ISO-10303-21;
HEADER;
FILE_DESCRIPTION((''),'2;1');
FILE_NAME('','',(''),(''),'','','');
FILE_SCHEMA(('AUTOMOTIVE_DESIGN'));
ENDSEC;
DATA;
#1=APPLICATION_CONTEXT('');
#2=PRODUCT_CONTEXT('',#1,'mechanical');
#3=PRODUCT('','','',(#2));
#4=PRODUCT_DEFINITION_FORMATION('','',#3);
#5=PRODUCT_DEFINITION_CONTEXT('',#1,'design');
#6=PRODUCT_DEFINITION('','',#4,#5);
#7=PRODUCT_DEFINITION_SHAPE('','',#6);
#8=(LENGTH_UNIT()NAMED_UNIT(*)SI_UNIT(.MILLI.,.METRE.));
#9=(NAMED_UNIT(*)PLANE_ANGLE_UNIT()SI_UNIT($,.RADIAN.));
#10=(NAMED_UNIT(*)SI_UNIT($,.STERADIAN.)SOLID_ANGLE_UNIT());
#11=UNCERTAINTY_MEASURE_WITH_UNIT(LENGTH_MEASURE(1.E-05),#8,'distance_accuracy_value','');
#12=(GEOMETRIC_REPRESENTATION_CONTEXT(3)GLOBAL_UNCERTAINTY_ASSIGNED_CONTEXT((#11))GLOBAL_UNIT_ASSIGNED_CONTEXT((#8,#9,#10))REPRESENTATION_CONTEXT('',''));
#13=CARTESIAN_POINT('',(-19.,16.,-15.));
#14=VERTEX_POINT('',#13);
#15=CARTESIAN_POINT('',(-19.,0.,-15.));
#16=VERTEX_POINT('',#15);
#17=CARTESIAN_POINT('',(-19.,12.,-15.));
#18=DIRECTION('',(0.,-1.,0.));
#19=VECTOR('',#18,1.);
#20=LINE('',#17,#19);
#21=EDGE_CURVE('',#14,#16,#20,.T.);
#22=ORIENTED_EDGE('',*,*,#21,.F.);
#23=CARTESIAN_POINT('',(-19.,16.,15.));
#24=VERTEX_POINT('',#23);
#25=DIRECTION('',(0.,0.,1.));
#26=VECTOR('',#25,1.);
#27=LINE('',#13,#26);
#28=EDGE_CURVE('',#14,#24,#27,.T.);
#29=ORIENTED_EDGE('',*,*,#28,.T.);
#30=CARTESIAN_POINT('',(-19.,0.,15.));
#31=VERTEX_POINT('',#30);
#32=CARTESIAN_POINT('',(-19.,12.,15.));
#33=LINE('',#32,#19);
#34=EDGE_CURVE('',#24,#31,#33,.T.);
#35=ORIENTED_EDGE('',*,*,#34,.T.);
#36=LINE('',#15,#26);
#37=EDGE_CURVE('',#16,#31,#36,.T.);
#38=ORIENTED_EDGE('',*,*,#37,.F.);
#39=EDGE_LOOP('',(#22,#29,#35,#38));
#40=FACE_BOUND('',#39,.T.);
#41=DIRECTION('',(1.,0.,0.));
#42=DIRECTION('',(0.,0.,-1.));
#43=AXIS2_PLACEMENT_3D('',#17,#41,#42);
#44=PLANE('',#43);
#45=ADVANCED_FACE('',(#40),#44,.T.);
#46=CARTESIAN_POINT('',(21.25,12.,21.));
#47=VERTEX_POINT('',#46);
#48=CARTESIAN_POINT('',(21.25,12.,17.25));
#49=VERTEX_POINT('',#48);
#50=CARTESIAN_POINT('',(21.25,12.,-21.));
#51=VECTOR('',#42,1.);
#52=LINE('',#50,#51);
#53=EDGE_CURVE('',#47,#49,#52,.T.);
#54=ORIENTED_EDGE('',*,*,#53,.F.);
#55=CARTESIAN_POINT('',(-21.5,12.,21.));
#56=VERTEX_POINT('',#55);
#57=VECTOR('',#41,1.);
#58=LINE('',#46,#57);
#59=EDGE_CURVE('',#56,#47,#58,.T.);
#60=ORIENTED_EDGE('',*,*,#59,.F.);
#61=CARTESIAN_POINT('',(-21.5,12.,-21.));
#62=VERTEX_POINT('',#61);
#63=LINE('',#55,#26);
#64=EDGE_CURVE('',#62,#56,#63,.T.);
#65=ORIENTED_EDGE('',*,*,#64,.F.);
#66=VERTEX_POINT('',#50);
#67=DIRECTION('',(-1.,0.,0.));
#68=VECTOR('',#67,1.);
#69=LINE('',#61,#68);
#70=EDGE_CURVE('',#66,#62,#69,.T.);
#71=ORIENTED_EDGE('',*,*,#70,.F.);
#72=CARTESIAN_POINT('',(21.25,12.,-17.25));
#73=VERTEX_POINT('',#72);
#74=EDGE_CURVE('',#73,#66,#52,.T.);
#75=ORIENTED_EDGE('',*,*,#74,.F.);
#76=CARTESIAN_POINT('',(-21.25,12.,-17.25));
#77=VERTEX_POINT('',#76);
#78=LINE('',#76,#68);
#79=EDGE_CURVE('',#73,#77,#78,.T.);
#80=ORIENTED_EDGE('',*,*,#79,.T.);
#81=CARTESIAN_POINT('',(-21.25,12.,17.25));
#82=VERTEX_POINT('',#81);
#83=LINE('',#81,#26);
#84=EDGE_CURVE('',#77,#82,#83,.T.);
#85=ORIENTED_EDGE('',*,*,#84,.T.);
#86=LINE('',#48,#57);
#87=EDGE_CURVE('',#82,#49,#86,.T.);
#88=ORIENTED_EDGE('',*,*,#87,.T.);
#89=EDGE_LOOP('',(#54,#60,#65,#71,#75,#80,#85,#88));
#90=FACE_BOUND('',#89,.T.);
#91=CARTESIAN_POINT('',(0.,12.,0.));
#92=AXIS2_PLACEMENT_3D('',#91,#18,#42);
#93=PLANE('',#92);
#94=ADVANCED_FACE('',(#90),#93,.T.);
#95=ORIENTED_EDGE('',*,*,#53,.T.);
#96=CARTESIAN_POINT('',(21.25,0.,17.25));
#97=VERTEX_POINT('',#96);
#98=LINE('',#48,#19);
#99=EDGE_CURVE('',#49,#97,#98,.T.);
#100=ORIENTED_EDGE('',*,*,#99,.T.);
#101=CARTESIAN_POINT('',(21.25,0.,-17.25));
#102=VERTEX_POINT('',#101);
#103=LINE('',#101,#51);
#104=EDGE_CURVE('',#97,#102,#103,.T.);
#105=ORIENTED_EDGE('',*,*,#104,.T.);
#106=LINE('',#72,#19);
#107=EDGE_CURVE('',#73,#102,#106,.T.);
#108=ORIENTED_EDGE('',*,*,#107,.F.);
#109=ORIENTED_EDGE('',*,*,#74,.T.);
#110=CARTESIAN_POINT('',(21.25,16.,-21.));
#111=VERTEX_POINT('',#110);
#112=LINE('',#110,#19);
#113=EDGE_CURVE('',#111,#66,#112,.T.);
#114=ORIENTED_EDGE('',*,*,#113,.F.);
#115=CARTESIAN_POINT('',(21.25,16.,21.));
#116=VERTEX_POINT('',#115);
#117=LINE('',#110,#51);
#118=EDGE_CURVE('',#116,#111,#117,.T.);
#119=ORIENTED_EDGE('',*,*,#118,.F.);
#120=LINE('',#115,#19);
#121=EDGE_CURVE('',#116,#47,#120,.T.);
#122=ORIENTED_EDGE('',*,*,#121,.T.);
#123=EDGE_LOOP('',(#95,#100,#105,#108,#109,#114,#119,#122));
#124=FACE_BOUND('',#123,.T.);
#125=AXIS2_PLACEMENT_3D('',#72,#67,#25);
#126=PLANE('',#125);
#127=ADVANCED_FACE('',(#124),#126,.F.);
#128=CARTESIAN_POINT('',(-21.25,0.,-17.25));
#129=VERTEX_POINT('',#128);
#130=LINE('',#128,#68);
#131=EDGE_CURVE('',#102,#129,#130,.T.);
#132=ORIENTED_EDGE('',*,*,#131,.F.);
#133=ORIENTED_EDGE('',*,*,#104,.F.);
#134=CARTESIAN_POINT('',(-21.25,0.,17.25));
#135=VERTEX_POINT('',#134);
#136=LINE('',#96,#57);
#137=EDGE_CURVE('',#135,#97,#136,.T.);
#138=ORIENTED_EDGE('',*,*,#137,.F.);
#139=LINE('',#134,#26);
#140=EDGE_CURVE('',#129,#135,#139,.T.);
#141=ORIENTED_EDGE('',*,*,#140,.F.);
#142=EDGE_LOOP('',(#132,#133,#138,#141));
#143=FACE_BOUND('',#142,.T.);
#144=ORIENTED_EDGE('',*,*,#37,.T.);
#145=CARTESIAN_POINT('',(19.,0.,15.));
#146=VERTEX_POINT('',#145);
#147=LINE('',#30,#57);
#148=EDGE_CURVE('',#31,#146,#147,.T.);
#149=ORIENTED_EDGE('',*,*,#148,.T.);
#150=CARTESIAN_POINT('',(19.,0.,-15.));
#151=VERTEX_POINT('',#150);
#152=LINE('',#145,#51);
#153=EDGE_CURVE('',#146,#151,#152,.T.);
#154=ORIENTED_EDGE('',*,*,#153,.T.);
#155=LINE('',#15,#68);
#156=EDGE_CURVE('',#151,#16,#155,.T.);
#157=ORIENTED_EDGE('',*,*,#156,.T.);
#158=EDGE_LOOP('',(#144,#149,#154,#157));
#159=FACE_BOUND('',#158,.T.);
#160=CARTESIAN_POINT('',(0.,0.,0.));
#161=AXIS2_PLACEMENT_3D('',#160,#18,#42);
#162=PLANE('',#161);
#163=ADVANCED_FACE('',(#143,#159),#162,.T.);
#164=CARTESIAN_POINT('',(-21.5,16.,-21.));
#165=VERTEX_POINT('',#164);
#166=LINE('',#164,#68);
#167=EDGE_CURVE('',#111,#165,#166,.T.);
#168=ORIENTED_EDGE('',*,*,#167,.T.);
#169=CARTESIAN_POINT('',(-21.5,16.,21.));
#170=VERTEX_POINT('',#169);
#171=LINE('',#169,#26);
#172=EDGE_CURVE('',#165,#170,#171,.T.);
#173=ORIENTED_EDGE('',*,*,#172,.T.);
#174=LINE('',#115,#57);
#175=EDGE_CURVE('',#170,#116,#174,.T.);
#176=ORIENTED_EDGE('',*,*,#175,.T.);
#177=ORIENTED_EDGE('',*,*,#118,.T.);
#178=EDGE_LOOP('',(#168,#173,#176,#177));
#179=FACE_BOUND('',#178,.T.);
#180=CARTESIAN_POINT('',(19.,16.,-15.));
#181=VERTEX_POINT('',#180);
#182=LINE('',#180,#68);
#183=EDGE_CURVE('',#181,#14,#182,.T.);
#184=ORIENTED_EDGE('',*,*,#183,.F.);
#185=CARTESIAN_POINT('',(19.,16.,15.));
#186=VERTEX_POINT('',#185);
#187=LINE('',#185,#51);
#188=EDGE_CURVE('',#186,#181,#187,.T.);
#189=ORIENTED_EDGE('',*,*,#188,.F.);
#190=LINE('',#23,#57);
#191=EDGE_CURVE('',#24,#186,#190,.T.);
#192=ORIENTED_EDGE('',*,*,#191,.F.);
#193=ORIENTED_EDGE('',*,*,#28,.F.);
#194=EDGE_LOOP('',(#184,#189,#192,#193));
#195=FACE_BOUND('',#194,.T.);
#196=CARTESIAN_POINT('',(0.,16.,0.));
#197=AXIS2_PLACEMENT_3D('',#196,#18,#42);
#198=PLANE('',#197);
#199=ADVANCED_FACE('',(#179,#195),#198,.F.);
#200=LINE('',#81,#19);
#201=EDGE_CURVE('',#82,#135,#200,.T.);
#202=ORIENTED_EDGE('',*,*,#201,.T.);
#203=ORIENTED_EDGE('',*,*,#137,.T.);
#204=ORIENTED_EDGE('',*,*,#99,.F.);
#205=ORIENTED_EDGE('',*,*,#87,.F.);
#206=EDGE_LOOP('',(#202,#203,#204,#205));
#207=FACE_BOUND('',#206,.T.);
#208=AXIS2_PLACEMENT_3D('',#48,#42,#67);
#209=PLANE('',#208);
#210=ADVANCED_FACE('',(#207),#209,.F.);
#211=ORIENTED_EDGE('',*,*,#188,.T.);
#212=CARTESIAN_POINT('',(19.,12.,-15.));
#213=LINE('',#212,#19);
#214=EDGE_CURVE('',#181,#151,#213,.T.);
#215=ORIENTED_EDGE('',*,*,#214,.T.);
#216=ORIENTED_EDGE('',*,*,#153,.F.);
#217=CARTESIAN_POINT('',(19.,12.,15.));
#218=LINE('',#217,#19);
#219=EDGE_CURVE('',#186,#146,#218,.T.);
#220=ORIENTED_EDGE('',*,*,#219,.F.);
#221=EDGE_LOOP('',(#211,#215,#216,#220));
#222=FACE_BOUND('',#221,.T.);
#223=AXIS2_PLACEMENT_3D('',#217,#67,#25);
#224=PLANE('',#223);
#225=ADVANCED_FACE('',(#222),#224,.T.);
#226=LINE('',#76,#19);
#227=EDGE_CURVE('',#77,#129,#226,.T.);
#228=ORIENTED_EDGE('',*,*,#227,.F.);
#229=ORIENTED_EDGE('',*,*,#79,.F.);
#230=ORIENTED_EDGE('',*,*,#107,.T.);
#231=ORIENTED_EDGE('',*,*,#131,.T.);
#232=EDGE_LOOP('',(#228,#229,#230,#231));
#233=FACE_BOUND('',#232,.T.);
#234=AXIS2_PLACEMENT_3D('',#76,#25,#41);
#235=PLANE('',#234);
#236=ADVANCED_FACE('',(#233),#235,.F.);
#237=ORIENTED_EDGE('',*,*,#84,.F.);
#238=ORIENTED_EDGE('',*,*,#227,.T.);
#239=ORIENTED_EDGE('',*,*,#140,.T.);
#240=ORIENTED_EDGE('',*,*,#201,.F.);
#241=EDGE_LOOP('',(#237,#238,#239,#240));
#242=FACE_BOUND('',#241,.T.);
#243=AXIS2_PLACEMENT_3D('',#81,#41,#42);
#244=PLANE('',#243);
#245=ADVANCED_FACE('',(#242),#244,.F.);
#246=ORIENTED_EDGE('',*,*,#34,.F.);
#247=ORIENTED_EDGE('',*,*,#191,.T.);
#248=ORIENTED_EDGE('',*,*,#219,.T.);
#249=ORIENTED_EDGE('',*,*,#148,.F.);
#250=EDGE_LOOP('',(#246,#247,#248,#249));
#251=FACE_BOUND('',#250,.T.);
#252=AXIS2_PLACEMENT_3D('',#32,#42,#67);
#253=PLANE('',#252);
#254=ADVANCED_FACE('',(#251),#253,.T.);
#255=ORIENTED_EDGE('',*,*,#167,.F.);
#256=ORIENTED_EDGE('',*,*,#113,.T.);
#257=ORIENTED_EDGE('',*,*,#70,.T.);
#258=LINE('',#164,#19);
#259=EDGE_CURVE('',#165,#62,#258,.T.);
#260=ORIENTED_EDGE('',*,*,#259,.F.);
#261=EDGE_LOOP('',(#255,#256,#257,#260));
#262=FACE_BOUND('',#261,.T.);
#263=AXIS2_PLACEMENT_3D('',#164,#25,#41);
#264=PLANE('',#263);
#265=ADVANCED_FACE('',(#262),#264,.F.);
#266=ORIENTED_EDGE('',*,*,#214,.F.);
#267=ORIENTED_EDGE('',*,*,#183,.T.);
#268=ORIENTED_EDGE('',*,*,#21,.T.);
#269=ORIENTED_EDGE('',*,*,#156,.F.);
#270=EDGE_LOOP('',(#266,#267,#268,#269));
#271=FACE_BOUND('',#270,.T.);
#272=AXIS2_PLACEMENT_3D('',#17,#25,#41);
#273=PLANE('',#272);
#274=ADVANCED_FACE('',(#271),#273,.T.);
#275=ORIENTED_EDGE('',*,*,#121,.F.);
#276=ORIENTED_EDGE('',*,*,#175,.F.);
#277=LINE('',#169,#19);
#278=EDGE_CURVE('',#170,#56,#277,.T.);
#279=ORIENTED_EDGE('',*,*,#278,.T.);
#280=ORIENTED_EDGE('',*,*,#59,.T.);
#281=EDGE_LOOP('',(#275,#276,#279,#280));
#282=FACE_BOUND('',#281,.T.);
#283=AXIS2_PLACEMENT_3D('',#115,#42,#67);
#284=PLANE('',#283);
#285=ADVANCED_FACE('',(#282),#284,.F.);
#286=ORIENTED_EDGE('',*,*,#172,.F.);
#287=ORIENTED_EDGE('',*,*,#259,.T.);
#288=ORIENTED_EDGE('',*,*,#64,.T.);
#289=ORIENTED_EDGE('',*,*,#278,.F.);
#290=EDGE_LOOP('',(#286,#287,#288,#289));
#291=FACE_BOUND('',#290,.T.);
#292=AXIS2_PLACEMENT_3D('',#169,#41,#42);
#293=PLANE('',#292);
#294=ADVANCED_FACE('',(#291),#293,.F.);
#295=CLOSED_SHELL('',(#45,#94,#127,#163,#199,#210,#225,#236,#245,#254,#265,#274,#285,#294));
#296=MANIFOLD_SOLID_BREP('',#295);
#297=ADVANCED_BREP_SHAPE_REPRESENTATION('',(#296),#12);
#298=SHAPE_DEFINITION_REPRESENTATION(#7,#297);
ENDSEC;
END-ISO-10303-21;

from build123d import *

# Parameters (mm, degrees)
SKETCH_1_W      = 42.5
SKETCH_1_H      = 34.5
SKETCH_1_W_2    = 38
SKETCH_1_H_2    = 30
EXTRUDE_1_DEPTH = 12
SKETCH_2_W      = 42.75
SKETCH_2_H      = 42
SKETCH_2_W_2    = 38
SKETCH_2_H_2    = 30
EXTRUDE_2_DEPTH = 4


with BuildPart() as part:
    # Эскиз1 → Бобышка-Вытянуть1 (new body)
    with BuildSketch(Plane(origin=(0, 0, 0), x_dir=(1, 0, 0), z_dir=(0, 1, 0))):
        Rectangle(SKETCH_1_W, SKETCH_1_H)
        Rectangle(SKETCH_1_W_2, SKETCH_1_H_2, mode=Mode.SUBTRACT)
    extrude(amount=EXTRUDE_1_DEPTH)

    # Эскиз2 → Бобышка-Вытянуть2 (add)
    with BuildSketch(Plane(origin=(0, 12, 0), x_dir=(1, 0, 0), z_dir=(0, 1, 0))):
        with Locations((-0.125, 0)):
            Rectangle(SKETCH_2_W, SKETCH_2_H)
        Rectangle(SKETCH_2_W_2, SKETCH_2_H_2, mode=Mode.SUBTRACT)
    extrude(amount=EXTRUDE_2_DEPTH)


solid = part.part
